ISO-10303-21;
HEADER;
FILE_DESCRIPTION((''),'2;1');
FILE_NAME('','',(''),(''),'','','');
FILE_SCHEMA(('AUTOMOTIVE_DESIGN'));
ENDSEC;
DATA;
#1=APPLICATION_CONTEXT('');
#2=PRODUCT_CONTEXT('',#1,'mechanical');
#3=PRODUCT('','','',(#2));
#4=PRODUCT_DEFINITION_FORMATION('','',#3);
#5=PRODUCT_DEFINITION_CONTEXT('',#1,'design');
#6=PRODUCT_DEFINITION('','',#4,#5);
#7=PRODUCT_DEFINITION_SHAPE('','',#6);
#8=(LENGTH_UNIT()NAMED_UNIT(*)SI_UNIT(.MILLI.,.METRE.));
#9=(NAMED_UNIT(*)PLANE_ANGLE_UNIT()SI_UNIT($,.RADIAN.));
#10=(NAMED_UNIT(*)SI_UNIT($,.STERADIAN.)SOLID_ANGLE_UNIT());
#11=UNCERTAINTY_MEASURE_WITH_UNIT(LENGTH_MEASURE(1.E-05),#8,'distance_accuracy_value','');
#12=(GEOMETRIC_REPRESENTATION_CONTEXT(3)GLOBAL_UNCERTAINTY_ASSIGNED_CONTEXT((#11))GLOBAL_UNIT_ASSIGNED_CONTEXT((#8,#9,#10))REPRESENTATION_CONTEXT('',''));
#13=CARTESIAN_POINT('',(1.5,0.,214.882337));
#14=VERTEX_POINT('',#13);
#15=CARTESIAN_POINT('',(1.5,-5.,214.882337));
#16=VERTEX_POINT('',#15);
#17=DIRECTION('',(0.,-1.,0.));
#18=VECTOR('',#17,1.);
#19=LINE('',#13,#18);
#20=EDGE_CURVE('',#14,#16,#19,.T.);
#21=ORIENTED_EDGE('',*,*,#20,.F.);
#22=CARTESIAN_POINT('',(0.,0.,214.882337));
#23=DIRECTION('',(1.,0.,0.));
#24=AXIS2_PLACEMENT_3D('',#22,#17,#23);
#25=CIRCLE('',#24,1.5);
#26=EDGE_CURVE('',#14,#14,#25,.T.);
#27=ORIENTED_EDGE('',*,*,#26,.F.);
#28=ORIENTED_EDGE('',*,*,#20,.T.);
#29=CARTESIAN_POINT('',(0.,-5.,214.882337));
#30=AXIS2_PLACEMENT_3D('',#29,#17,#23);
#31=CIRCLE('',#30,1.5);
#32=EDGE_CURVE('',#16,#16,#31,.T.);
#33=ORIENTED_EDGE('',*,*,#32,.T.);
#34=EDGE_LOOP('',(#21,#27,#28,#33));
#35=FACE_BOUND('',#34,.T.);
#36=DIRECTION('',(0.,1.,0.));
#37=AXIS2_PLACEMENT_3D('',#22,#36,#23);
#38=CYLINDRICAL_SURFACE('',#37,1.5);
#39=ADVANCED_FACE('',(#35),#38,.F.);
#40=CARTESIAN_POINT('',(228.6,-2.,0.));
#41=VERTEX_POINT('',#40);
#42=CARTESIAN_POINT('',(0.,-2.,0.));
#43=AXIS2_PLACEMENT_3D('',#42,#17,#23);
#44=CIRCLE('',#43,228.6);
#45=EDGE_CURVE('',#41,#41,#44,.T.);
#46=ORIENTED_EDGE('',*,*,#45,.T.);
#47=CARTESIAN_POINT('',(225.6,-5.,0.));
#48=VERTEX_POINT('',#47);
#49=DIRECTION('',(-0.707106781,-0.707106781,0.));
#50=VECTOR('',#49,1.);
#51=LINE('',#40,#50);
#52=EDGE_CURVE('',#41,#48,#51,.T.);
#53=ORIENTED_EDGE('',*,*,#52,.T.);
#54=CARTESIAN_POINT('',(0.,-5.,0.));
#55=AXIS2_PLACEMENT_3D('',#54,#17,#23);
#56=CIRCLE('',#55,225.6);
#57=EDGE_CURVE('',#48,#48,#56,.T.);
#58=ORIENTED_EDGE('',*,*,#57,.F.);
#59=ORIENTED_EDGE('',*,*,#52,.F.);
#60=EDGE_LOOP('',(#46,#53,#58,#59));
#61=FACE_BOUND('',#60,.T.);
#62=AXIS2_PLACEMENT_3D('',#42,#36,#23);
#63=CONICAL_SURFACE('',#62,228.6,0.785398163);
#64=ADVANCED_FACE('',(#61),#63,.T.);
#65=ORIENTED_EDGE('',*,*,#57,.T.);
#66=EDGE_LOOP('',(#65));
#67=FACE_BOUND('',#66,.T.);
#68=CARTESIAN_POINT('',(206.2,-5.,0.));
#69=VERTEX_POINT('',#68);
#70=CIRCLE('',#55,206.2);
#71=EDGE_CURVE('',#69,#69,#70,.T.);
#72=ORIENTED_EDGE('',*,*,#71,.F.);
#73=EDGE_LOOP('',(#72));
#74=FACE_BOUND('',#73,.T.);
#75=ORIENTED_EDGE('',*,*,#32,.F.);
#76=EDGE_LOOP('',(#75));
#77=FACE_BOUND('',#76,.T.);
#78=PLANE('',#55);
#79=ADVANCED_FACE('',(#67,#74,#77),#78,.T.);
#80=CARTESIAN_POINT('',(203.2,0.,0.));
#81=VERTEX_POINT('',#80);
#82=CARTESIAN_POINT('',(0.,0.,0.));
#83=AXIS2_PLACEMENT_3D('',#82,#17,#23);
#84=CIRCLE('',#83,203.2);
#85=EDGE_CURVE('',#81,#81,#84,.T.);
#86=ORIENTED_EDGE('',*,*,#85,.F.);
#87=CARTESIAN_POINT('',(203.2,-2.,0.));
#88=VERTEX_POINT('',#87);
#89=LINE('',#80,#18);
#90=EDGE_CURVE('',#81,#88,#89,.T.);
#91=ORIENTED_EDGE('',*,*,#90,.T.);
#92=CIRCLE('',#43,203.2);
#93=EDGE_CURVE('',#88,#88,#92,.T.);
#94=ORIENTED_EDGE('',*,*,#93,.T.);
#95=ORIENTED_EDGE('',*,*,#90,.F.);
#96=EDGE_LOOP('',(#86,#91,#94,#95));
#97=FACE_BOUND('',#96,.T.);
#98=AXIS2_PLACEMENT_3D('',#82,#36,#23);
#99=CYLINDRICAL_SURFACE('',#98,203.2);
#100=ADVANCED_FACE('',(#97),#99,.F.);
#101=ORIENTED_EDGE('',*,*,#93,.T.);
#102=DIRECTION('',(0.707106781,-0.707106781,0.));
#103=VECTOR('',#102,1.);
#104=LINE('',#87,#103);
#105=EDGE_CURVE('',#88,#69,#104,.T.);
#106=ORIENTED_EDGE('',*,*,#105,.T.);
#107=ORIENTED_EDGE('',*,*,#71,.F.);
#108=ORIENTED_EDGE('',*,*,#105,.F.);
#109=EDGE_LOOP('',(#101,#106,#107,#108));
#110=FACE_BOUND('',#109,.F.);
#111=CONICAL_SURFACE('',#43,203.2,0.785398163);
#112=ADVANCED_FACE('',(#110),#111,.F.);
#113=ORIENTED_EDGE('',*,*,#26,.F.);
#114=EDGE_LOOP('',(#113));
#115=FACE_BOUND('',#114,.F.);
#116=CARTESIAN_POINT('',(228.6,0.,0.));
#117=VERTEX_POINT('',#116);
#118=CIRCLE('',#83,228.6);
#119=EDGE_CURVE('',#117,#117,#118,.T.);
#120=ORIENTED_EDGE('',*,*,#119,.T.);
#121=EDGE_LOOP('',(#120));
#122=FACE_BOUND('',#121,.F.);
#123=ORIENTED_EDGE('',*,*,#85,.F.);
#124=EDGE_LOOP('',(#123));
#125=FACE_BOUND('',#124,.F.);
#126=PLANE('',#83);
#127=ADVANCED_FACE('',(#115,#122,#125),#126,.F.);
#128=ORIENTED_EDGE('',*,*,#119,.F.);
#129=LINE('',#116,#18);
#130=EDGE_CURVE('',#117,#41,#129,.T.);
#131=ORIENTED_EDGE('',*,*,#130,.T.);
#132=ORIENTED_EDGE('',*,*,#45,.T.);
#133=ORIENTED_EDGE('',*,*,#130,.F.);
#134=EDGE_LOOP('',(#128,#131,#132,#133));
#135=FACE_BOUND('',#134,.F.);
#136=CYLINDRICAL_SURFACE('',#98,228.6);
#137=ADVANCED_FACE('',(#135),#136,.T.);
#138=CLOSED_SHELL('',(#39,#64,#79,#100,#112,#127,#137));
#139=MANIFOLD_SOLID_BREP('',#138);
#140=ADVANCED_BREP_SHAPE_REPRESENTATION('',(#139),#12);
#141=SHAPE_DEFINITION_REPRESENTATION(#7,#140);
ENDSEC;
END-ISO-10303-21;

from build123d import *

# Parameters (mm, degrees)
F0_R     = 228.6
F0_R_2   = 1.5
F0_R_3   = 203.2
F1_DEPTH = 5
F2_SIZE  = 3


with BuildPart() as f1:
    # F0 (on Front) → F1 (new body)
    with BuildSketch(Plane.XZ):
        Circle(F0_R)
        with Locations((0, -215.117663)):
            Circle(F0_R_2, mode=Mode.SUBTRACT)
        Circle(F0_R_3, mode=Mode.SUBTRACT)
        with Locations((0, 214.882337)):
            Circle(F0_R_2, mode=Mode.SUBTRACT)
        with Locations((0, -215.117663)):
            Circle(F0_R_2)
    extrude(amount=F1_DEPTH)

    # F2
    f2_edges = [f1.edges().sort_by_distance(p)[0] for p in [
        (-228.6, -5, 0),
        (-203.2, -5, 0),
    ]]
    chamfer(f2_edges, length=F2_SIZE)


solid = f1.part
